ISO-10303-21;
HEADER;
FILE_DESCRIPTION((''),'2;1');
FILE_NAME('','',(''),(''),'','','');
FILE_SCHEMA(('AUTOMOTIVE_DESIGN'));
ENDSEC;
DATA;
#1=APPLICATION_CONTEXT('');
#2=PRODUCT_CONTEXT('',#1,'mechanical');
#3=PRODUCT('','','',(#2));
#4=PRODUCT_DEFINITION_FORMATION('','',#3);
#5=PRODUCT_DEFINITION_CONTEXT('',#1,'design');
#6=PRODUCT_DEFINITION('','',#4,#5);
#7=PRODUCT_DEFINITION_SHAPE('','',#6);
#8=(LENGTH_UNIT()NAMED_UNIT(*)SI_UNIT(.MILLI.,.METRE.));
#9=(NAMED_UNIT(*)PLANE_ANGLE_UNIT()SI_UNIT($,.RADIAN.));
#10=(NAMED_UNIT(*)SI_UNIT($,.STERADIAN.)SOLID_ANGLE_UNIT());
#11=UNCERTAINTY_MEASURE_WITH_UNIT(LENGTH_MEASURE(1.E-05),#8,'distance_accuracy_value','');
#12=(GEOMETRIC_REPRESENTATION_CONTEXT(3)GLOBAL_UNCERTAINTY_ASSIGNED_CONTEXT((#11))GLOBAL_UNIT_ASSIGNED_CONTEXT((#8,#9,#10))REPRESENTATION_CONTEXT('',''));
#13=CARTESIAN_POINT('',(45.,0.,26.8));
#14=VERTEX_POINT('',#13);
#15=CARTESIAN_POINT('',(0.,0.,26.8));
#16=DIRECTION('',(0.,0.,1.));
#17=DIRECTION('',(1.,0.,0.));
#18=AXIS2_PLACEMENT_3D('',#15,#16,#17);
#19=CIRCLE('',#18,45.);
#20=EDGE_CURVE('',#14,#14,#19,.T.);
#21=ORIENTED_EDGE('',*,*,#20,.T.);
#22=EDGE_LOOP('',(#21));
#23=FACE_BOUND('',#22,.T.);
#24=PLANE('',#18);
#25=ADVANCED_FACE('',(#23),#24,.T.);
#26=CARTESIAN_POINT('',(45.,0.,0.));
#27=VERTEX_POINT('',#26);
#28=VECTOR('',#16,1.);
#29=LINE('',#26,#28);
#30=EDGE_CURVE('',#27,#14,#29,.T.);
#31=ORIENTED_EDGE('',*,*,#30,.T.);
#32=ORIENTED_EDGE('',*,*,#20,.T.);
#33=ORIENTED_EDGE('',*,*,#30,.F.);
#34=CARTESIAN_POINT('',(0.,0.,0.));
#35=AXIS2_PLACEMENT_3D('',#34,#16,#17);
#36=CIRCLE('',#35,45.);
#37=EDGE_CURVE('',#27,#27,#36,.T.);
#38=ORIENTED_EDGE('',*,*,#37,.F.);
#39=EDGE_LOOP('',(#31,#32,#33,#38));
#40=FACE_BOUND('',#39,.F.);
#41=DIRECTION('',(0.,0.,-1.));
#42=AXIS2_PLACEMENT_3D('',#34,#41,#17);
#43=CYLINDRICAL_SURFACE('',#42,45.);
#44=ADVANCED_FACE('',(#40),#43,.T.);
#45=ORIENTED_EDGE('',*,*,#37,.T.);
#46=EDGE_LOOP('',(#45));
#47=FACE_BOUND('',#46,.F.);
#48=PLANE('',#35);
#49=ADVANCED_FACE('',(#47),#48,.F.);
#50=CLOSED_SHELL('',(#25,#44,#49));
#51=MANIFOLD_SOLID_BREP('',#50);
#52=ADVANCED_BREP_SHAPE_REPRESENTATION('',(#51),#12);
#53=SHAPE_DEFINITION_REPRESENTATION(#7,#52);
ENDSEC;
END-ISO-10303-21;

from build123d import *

# Parameters (mm, degrees)
SKETCH_1_R  = 45
PAD_1_DEPTH = 26.8


with BuildPart() as part:
    # Sketch_1 → Pad_1 (new body)
    with BuildSketch(Plane.XY):
        Circle(SKETCH_1_R)
    extrude(amount=PAD_1_DEPTH)


solid = part.part
